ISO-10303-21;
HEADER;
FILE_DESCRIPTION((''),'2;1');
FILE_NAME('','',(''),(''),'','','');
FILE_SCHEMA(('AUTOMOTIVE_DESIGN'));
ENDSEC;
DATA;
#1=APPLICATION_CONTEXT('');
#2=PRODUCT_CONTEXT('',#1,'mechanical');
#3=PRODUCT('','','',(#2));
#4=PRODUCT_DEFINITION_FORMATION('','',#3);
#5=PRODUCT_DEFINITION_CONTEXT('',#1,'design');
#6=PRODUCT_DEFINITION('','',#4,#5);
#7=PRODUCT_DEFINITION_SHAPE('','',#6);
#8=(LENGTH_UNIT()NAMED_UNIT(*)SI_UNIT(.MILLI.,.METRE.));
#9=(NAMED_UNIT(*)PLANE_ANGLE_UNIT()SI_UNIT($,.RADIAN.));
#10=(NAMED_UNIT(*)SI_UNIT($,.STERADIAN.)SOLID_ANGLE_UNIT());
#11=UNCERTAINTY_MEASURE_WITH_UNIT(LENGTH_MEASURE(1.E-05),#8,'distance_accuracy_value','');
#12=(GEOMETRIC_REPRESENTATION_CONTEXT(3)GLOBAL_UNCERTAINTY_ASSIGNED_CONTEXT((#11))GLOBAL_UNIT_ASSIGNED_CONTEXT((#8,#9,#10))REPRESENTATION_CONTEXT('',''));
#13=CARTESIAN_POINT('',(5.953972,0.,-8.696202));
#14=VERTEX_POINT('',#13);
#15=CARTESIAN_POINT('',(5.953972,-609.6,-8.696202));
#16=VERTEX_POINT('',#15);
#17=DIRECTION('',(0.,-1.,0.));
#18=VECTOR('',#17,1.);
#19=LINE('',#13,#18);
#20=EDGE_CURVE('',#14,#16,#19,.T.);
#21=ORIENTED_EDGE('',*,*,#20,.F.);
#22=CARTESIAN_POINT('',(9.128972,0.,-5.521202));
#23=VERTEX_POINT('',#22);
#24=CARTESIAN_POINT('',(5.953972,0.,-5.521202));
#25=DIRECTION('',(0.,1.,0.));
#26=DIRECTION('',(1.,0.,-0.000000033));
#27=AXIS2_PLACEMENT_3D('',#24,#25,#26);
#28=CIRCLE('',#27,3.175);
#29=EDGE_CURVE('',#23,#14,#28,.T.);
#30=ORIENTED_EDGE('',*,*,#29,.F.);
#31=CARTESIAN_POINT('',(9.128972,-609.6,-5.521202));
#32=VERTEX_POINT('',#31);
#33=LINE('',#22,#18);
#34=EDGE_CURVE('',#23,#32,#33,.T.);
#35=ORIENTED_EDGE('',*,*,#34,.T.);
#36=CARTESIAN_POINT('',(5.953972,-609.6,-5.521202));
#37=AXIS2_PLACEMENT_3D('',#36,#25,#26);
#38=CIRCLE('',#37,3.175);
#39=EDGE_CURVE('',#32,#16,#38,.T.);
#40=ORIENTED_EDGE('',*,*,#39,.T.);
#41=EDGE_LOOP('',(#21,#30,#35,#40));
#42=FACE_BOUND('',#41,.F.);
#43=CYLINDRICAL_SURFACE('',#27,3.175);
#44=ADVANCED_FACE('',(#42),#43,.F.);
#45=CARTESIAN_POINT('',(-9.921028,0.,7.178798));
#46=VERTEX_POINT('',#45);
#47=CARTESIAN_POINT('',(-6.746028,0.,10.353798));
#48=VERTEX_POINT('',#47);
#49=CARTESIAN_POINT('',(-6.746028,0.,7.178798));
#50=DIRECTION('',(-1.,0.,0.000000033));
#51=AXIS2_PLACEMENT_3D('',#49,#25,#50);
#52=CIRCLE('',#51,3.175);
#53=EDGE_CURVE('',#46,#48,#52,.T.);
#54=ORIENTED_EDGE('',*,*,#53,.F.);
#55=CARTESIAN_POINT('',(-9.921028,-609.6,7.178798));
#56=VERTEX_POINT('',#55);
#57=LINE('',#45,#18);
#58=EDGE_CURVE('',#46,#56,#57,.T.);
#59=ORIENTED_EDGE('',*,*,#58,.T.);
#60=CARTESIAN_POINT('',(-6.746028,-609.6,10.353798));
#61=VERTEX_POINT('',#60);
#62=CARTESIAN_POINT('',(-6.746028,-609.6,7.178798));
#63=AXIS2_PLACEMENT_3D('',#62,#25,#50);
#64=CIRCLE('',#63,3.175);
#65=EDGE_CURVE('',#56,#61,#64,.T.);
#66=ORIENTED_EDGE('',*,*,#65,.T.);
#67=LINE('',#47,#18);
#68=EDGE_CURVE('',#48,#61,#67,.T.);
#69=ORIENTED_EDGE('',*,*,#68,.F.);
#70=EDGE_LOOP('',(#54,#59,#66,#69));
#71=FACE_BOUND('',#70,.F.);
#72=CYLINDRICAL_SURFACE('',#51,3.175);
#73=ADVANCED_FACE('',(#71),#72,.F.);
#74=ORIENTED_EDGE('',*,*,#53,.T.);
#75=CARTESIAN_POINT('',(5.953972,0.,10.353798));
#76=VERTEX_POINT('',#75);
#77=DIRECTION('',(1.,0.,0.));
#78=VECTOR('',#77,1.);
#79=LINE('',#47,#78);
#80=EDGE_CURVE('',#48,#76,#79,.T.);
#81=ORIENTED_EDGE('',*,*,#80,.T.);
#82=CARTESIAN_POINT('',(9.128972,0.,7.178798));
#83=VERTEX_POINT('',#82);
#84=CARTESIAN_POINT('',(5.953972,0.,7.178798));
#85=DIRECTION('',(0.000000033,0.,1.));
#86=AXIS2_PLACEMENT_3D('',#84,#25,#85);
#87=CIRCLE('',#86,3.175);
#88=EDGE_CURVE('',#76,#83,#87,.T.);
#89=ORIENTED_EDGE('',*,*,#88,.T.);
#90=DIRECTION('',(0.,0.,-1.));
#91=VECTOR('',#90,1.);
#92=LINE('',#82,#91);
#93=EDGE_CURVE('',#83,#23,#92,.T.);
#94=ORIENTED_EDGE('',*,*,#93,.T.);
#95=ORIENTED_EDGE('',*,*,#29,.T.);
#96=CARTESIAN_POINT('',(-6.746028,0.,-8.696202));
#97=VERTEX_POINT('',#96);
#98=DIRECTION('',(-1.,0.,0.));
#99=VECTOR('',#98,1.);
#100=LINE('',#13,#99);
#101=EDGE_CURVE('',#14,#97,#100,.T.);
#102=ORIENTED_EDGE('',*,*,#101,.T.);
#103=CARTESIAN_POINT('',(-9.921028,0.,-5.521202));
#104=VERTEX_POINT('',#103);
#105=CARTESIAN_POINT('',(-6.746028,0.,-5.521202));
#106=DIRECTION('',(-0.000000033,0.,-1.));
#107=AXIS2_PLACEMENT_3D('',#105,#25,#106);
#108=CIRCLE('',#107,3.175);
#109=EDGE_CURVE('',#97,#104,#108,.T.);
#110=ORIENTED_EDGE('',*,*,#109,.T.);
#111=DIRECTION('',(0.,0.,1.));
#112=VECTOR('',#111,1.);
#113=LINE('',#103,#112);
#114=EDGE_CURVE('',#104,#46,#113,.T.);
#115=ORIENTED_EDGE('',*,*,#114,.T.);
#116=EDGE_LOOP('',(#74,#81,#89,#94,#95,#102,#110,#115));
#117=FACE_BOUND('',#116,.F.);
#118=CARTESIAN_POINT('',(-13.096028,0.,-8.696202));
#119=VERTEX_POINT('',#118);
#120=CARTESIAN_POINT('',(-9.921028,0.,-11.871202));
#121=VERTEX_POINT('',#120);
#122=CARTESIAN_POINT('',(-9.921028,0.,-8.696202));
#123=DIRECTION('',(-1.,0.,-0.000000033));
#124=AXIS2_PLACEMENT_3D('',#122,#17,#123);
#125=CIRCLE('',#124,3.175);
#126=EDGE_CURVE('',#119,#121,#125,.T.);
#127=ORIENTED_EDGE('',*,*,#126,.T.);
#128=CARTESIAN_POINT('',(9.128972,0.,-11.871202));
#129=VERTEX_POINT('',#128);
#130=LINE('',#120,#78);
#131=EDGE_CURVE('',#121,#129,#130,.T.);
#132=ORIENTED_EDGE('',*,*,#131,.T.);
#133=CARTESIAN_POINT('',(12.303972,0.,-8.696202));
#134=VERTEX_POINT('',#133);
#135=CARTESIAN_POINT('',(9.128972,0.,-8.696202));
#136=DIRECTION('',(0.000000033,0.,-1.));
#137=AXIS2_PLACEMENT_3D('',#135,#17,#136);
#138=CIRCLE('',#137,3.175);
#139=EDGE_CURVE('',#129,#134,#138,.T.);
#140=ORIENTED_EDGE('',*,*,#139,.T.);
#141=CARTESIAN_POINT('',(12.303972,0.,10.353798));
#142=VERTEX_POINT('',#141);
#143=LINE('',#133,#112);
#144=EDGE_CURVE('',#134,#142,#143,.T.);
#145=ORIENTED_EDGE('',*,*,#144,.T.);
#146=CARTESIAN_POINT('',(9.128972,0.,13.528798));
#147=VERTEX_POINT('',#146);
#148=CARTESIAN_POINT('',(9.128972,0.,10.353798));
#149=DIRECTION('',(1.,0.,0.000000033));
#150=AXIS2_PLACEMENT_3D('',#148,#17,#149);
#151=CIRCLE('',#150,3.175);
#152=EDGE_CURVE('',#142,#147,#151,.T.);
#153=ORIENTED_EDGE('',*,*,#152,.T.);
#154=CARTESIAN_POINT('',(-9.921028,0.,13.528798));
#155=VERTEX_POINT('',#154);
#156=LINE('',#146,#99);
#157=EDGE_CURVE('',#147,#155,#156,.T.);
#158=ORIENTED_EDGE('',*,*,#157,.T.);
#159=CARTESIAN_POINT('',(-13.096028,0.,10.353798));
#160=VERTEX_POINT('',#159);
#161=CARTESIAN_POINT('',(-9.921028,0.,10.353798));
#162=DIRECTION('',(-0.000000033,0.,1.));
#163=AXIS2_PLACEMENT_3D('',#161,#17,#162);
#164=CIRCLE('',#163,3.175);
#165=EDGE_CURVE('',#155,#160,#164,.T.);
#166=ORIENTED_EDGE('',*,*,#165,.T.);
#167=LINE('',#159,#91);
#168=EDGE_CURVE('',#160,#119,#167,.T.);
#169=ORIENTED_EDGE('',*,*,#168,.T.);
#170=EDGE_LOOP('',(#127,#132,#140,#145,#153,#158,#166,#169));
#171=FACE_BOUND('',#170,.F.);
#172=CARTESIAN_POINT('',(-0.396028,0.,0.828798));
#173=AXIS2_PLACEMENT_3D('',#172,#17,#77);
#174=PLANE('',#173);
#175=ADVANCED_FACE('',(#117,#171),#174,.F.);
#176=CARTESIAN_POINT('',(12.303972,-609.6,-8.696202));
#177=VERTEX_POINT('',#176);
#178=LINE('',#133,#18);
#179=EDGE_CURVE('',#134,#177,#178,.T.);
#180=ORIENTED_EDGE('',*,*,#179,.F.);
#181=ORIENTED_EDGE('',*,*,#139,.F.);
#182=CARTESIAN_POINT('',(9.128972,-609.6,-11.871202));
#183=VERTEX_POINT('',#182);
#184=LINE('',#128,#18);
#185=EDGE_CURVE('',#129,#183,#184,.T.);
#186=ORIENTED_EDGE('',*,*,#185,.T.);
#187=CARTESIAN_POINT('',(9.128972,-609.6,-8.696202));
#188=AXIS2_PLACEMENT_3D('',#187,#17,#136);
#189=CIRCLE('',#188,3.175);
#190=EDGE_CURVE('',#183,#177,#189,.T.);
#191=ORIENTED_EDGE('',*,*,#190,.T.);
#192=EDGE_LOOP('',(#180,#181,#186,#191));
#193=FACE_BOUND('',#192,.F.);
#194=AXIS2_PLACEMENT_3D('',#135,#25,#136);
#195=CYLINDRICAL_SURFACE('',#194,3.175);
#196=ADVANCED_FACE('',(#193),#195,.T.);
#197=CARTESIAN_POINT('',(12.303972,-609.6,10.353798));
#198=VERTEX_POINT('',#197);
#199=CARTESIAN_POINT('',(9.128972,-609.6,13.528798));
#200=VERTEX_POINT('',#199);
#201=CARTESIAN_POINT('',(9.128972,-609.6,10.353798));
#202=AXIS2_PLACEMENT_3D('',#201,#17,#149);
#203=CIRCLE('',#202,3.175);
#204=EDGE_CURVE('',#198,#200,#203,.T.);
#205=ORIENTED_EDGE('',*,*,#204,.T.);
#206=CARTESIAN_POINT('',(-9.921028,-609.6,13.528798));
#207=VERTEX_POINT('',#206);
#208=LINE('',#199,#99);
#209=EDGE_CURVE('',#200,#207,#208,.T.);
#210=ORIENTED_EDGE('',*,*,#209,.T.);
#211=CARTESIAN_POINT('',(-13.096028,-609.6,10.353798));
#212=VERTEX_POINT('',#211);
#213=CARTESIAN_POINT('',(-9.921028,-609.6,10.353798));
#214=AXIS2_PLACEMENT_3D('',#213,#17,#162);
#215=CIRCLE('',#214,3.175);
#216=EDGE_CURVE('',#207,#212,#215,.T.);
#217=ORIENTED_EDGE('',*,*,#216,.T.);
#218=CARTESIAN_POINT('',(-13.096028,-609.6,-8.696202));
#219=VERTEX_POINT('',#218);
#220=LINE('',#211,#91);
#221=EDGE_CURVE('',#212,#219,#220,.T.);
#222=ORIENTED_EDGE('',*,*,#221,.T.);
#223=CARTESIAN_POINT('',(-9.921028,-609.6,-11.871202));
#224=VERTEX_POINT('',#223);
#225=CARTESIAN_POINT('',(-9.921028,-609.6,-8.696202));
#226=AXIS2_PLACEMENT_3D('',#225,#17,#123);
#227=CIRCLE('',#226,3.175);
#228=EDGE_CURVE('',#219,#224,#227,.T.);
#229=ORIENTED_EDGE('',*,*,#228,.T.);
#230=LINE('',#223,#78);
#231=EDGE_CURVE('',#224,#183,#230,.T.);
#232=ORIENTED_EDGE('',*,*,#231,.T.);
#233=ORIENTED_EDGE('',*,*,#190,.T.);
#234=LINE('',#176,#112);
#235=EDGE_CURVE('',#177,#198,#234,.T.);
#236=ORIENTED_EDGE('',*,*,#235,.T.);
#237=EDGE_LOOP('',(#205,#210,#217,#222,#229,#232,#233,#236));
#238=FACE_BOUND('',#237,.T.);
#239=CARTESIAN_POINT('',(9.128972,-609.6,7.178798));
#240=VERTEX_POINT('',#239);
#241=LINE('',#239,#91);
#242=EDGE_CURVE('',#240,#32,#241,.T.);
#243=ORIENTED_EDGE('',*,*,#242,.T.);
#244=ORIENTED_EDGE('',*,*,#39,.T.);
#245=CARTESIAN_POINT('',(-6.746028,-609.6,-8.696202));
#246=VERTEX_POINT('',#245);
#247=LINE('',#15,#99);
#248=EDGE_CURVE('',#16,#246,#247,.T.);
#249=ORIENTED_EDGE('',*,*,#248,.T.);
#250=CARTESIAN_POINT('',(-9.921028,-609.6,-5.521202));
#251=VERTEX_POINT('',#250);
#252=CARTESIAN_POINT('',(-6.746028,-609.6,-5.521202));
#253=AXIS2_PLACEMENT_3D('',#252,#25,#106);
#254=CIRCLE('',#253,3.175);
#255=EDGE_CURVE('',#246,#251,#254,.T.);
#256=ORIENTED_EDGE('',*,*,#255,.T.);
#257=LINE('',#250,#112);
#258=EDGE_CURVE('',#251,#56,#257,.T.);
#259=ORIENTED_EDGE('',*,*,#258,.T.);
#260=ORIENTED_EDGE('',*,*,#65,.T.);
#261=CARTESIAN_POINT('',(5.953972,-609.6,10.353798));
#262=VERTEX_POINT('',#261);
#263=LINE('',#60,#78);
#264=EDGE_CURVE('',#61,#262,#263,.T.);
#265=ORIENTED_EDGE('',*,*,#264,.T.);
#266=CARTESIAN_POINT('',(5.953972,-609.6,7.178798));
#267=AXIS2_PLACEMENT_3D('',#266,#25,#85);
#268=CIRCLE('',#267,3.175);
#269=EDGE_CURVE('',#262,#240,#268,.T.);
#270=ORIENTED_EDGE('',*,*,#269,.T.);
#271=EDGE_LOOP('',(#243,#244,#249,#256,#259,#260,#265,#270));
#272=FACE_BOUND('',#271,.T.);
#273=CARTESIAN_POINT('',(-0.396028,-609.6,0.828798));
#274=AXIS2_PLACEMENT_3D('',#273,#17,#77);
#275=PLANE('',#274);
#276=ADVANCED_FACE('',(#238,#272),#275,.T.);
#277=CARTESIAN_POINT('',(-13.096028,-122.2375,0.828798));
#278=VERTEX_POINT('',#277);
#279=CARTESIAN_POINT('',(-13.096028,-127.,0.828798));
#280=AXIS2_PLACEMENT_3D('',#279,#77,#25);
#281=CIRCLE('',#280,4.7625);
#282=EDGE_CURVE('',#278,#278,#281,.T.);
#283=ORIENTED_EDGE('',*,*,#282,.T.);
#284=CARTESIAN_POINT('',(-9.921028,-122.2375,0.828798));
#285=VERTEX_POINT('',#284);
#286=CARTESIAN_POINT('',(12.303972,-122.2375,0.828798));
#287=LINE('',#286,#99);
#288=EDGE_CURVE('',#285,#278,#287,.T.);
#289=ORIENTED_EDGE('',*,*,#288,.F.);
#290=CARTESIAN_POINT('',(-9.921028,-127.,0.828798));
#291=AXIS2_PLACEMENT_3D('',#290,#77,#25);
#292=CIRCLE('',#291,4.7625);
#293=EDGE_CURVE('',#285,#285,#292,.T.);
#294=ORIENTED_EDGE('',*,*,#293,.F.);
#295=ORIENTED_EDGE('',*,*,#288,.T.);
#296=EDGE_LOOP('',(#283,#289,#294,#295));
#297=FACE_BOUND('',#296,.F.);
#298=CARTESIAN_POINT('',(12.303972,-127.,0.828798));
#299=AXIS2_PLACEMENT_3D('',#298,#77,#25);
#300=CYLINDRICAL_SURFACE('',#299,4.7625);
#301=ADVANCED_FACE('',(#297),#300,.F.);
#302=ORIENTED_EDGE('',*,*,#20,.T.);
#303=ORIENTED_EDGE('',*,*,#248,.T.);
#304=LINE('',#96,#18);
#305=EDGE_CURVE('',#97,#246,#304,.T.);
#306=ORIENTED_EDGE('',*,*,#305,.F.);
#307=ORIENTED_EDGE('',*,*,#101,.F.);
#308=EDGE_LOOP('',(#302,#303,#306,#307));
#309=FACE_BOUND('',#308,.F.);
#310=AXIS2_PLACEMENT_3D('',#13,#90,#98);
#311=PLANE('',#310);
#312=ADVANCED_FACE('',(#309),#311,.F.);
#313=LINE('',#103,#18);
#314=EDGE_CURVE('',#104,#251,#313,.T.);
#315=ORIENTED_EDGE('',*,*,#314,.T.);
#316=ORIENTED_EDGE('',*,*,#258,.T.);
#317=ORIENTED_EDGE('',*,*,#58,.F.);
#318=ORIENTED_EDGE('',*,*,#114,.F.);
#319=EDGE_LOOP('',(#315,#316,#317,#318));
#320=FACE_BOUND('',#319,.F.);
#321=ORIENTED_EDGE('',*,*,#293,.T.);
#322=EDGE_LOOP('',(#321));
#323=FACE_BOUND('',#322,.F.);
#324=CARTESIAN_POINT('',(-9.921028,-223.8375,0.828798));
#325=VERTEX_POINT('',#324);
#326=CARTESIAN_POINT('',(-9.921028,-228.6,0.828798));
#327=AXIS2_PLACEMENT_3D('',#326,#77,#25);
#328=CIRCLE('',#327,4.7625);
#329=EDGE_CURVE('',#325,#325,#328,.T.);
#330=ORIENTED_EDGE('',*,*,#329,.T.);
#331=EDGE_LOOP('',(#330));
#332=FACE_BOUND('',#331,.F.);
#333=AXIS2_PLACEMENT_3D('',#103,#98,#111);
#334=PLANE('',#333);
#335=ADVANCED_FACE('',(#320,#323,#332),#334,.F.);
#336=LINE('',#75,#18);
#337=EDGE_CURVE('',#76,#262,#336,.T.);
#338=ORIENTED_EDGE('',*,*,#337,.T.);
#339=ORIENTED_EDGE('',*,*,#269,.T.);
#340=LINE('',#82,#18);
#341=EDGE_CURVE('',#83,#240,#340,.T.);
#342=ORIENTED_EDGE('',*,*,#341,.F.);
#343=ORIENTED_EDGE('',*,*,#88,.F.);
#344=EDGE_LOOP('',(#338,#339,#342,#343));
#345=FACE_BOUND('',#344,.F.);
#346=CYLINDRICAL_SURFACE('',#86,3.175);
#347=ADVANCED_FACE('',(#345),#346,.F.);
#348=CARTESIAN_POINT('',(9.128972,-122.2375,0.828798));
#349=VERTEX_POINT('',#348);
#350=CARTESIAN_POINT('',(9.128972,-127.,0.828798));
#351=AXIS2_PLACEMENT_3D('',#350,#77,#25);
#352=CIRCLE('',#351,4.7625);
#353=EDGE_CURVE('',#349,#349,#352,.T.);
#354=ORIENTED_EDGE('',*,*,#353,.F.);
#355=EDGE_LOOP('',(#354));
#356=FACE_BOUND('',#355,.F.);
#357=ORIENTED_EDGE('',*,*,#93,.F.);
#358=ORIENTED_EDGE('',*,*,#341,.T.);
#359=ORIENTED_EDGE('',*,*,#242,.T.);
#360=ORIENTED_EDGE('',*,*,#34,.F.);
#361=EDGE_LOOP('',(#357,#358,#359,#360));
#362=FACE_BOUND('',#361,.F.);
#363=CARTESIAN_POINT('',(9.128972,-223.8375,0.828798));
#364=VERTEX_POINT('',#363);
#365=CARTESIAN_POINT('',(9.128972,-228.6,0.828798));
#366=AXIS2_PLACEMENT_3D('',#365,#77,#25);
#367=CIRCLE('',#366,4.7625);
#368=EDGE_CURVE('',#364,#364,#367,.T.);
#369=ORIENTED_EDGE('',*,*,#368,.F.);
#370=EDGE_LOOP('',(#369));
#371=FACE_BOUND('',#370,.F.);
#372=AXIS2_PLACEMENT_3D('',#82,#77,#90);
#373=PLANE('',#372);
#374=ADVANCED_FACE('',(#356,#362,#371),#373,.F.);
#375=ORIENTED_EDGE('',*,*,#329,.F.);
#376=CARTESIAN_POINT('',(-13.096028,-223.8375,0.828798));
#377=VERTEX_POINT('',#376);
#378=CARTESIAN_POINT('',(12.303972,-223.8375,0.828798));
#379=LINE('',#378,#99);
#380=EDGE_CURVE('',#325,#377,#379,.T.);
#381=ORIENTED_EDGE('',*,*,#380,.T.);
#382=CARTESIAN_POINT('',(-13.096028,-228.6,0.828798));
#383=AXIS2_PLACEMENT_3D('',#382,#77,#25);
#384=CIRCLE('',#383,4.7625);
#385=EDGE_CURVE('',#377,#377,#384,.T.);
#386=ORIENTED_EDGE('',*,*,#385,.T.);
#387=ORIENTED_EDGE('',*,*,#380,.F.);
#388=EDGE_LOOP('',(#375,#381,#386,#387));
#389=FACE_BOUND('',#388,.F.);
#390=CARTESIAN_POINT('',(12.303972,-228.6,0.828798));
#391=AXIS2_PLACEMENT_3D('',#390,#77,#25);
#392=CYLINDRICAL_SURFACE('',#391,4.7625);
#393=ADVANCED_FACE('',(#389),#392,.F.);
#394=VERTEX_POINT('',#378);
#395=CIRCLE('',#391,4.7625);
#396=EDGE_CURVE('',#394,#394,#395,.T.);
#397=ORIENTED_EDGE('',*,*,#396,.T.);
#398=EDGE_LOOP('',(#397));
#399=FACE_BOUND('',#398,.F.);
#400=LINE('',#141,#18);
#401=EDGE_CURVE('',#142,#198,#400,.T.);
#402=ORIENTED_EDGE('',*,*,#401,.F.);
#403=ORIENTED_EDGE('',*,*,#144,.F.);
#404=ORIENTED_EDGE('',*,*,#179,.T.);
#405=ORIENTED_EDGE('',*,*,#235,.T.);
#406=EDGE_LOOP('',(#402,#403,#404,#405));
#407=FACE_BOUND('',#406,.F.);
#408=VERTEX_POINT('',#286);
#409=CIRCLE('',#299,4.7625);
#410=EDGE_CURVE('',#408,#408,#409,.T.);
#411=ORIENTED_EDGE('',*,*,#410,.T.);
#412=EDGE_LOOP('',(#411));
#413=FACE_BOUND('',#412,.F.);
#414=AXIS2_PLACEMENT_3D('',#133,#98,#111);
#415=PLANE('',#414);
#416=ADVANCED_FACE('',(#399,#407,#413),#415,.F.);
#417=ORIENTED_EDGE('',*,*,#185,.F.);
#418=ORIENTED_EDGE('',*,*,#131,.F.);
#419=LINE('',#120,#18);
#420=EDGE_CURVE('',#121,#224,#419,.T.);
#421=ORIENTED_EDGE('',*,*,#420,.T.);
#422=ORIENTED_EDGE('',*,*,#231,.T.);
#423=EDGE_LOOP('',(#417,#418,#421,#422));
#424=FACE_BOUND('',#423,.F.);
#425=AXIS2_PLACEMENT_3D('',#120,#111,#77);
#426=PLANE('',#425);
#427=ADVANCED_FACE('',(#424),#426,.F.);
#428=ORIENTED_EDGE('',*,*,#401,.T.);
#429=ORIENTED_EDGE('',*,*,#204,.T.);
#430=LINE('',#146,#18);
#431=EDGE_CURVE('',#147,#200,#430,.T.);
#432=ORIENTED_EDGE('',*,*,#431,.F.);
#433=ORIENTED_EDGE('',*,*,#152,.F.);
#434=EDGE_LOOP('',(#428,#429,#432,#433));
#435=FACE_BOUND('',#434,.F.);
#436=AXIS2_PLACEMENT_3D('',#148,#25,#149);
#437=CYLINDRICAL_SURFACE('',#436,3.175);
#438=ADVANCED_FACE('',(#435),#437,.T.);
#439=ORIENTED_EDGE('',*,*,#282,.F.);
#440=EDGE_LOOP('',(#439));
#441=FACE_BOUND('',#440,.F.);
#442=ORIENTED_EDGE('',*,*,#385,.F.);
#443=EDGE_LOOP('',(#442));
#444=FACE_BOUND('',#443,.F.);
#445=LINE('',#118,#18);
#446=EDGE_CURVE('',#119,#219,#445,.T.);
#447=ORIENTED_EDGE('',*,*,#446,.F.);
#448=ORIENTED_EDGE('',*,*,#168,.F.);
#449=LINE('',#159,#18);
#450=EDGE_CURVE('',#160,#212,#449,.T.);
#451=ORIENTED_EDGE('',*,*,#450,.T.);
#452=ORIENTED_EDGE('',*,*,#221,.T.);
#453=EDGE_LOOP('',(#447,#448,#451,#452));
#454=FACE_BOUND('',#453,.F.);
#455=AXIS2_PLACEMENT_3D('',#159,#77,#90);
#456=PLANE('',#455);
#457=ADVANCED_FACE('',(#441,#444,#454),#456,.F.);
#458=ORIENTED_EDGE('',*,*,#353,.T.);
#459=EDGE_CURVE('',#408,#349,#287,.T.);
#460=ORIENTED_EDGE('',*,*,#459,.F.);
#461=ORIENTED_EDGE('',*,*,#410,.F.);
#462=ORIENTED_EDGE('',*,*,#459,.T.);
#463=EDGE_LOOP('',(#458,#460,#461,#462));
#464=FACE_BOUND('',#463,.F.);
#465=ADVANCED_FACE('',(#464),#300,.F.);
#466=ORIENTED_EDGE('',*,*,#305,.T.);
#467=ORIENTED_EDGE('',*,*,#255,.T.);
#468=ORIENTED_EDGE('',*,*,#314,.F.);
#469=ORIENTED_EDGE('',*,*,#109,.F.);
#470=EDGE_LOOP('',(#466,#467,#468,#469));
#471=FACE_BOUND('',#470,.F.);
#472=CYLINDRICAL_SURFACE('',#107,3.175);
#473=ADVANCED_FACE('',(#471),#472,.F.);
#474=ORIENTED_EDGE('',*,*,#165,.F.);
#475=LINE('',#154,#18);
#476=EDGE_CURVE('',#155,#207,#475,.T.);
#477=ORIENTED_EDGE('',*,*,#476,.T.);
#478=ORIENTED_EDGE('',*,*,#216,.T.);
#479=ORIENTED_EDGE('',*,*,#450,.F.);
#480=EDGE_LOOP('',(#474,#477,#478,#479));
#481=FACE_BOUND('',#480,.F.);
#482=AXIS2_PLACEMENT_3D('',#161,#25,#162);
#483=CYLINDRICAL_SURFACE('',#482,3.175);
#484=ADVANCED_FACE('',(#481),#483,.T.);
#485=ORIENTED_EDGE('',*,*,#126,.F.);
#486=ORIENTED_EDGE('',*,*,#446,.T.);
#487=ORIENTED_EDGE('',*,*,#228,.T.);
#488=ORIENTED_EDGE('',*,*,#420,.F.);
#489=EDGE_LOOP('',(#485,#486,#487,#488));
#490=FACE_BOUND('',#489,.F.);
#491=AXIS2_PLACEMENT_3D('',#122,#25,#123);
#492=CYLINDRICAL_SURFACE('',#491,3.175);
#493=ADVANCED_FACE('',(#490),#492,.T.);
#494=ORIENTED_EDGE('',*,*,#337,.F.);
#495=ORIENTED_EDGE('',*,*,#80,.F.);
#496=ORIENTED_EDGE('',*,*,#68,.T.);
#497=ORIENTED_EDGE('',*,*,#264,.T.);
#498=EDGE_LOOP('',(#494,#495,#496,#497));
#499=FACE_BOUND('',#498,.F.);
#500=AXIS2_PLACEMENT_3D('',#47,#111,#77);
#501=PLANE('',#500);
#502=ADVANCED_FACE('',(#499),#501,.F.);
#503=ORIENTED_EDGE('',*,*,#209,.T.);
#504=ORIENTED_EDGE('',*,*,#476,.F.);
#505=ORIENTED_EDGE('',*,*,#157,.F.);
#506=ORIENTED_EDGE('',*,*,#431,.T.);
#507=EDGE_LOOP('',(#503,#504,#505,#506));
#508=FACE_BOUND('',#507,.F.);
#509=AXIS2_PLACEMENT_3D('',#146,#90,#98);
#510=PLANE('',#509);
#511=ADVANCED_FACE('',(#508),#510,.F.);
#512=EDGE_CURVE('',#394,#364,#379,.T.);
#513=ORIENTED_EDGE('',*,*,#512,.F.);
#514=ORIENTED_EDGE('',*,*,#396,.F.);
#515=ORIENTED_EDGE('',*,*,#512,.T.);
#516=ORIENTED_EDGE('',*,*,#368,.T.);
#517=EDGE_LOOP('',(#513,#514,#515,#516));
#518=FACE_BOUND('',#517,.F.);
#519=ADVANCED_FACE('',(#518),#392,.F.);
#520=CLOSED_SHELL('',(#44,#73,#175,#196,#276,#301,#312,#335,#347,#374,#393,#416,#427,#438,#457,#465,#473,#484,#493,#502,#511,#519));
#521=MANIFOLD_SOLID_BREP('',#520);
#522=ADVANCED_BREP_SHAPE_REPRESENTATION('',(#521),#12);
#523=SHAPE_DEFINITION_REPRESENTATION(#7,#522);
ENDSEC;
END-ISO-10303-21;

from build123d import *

# Parameters (mm, degrees)
F1_DEPTH = 609.6
F2_R     = 4.7625
F3_DEPTH = 25.4


with BuildPart() as f1:
    # F0 (on Front) → F1 (new body)
    with BuildSketch(Plane.XZ):
        with BuildLine():
            Line((-9.921028, -11.871202), (9.128972, -11.871202))
            ThreePointArc((9.128972, -11.871202), (11.374036, -10.941266), (12.303972, -8.696202))
            Line((12.303972, -8.696202), (12.303972, 10.353798))
            ThreePointArc((12.303972, 10.353798), (11.374036, 12.598862), (9.128972, 13.528798))
            Line((9.128972, 13.528798), (-9.921028, 13.528798))
            ThreePointArc((-9.921028, 13.528798), (-12.166092, 12.598862), (-13.096028, 10.353798))
            Line((-13.096028, 10.353798), (-13.096028, -8.696202))
            ThreePointArc((-13.096028, -8.696202), (-12.166092, -10.941266), (-9.921028, -11.871202))
        make_face()
        with BuildLine():
            ThreePointArc((9.128972, -5.521202), (8.199036, -7.766266), (5.953972, -8.696202))
            Line((5.953972, -8.696202), (-6.746028, -8.696202))
            ThreePointArc((-6.746028, -8.696202), (-8.991092, -7.766266), (-9.921028, -5.521202))
            Line((-9.921028, -5.521202), (-9.921028, 7.178798))
            ThreePointArc((-9.921028, 7.178798), (-8.991092, 9.423862), (-6.746028, 10.353798))
            Line((-6.746028, 10.353798), (5.953972, 10.353798))
            ThreePointArc((5.953972, 10.353798), (8.199036, 9.423862), (9.128972, 7.178798))
            Line((9.128972, 7.178798), (9.128972, -5.521202))
        make_face(mode=Mode.SUBTRACT)
    extrude(amount=F1_DEPTH)

    # F2 (on face) → F3 (cut)
    with BuildSketch(Plane.YZ.offset(12.303972)):
        with Locations((-228.6, 0.828798)):
            Circle(F2_R)
        with Locations((-127, 0.828798)):
            Circle(F2_R)
    extrude(amount=-F3_DEPTH, mode=Mode.SUBTRACT)


solid = f1.part
